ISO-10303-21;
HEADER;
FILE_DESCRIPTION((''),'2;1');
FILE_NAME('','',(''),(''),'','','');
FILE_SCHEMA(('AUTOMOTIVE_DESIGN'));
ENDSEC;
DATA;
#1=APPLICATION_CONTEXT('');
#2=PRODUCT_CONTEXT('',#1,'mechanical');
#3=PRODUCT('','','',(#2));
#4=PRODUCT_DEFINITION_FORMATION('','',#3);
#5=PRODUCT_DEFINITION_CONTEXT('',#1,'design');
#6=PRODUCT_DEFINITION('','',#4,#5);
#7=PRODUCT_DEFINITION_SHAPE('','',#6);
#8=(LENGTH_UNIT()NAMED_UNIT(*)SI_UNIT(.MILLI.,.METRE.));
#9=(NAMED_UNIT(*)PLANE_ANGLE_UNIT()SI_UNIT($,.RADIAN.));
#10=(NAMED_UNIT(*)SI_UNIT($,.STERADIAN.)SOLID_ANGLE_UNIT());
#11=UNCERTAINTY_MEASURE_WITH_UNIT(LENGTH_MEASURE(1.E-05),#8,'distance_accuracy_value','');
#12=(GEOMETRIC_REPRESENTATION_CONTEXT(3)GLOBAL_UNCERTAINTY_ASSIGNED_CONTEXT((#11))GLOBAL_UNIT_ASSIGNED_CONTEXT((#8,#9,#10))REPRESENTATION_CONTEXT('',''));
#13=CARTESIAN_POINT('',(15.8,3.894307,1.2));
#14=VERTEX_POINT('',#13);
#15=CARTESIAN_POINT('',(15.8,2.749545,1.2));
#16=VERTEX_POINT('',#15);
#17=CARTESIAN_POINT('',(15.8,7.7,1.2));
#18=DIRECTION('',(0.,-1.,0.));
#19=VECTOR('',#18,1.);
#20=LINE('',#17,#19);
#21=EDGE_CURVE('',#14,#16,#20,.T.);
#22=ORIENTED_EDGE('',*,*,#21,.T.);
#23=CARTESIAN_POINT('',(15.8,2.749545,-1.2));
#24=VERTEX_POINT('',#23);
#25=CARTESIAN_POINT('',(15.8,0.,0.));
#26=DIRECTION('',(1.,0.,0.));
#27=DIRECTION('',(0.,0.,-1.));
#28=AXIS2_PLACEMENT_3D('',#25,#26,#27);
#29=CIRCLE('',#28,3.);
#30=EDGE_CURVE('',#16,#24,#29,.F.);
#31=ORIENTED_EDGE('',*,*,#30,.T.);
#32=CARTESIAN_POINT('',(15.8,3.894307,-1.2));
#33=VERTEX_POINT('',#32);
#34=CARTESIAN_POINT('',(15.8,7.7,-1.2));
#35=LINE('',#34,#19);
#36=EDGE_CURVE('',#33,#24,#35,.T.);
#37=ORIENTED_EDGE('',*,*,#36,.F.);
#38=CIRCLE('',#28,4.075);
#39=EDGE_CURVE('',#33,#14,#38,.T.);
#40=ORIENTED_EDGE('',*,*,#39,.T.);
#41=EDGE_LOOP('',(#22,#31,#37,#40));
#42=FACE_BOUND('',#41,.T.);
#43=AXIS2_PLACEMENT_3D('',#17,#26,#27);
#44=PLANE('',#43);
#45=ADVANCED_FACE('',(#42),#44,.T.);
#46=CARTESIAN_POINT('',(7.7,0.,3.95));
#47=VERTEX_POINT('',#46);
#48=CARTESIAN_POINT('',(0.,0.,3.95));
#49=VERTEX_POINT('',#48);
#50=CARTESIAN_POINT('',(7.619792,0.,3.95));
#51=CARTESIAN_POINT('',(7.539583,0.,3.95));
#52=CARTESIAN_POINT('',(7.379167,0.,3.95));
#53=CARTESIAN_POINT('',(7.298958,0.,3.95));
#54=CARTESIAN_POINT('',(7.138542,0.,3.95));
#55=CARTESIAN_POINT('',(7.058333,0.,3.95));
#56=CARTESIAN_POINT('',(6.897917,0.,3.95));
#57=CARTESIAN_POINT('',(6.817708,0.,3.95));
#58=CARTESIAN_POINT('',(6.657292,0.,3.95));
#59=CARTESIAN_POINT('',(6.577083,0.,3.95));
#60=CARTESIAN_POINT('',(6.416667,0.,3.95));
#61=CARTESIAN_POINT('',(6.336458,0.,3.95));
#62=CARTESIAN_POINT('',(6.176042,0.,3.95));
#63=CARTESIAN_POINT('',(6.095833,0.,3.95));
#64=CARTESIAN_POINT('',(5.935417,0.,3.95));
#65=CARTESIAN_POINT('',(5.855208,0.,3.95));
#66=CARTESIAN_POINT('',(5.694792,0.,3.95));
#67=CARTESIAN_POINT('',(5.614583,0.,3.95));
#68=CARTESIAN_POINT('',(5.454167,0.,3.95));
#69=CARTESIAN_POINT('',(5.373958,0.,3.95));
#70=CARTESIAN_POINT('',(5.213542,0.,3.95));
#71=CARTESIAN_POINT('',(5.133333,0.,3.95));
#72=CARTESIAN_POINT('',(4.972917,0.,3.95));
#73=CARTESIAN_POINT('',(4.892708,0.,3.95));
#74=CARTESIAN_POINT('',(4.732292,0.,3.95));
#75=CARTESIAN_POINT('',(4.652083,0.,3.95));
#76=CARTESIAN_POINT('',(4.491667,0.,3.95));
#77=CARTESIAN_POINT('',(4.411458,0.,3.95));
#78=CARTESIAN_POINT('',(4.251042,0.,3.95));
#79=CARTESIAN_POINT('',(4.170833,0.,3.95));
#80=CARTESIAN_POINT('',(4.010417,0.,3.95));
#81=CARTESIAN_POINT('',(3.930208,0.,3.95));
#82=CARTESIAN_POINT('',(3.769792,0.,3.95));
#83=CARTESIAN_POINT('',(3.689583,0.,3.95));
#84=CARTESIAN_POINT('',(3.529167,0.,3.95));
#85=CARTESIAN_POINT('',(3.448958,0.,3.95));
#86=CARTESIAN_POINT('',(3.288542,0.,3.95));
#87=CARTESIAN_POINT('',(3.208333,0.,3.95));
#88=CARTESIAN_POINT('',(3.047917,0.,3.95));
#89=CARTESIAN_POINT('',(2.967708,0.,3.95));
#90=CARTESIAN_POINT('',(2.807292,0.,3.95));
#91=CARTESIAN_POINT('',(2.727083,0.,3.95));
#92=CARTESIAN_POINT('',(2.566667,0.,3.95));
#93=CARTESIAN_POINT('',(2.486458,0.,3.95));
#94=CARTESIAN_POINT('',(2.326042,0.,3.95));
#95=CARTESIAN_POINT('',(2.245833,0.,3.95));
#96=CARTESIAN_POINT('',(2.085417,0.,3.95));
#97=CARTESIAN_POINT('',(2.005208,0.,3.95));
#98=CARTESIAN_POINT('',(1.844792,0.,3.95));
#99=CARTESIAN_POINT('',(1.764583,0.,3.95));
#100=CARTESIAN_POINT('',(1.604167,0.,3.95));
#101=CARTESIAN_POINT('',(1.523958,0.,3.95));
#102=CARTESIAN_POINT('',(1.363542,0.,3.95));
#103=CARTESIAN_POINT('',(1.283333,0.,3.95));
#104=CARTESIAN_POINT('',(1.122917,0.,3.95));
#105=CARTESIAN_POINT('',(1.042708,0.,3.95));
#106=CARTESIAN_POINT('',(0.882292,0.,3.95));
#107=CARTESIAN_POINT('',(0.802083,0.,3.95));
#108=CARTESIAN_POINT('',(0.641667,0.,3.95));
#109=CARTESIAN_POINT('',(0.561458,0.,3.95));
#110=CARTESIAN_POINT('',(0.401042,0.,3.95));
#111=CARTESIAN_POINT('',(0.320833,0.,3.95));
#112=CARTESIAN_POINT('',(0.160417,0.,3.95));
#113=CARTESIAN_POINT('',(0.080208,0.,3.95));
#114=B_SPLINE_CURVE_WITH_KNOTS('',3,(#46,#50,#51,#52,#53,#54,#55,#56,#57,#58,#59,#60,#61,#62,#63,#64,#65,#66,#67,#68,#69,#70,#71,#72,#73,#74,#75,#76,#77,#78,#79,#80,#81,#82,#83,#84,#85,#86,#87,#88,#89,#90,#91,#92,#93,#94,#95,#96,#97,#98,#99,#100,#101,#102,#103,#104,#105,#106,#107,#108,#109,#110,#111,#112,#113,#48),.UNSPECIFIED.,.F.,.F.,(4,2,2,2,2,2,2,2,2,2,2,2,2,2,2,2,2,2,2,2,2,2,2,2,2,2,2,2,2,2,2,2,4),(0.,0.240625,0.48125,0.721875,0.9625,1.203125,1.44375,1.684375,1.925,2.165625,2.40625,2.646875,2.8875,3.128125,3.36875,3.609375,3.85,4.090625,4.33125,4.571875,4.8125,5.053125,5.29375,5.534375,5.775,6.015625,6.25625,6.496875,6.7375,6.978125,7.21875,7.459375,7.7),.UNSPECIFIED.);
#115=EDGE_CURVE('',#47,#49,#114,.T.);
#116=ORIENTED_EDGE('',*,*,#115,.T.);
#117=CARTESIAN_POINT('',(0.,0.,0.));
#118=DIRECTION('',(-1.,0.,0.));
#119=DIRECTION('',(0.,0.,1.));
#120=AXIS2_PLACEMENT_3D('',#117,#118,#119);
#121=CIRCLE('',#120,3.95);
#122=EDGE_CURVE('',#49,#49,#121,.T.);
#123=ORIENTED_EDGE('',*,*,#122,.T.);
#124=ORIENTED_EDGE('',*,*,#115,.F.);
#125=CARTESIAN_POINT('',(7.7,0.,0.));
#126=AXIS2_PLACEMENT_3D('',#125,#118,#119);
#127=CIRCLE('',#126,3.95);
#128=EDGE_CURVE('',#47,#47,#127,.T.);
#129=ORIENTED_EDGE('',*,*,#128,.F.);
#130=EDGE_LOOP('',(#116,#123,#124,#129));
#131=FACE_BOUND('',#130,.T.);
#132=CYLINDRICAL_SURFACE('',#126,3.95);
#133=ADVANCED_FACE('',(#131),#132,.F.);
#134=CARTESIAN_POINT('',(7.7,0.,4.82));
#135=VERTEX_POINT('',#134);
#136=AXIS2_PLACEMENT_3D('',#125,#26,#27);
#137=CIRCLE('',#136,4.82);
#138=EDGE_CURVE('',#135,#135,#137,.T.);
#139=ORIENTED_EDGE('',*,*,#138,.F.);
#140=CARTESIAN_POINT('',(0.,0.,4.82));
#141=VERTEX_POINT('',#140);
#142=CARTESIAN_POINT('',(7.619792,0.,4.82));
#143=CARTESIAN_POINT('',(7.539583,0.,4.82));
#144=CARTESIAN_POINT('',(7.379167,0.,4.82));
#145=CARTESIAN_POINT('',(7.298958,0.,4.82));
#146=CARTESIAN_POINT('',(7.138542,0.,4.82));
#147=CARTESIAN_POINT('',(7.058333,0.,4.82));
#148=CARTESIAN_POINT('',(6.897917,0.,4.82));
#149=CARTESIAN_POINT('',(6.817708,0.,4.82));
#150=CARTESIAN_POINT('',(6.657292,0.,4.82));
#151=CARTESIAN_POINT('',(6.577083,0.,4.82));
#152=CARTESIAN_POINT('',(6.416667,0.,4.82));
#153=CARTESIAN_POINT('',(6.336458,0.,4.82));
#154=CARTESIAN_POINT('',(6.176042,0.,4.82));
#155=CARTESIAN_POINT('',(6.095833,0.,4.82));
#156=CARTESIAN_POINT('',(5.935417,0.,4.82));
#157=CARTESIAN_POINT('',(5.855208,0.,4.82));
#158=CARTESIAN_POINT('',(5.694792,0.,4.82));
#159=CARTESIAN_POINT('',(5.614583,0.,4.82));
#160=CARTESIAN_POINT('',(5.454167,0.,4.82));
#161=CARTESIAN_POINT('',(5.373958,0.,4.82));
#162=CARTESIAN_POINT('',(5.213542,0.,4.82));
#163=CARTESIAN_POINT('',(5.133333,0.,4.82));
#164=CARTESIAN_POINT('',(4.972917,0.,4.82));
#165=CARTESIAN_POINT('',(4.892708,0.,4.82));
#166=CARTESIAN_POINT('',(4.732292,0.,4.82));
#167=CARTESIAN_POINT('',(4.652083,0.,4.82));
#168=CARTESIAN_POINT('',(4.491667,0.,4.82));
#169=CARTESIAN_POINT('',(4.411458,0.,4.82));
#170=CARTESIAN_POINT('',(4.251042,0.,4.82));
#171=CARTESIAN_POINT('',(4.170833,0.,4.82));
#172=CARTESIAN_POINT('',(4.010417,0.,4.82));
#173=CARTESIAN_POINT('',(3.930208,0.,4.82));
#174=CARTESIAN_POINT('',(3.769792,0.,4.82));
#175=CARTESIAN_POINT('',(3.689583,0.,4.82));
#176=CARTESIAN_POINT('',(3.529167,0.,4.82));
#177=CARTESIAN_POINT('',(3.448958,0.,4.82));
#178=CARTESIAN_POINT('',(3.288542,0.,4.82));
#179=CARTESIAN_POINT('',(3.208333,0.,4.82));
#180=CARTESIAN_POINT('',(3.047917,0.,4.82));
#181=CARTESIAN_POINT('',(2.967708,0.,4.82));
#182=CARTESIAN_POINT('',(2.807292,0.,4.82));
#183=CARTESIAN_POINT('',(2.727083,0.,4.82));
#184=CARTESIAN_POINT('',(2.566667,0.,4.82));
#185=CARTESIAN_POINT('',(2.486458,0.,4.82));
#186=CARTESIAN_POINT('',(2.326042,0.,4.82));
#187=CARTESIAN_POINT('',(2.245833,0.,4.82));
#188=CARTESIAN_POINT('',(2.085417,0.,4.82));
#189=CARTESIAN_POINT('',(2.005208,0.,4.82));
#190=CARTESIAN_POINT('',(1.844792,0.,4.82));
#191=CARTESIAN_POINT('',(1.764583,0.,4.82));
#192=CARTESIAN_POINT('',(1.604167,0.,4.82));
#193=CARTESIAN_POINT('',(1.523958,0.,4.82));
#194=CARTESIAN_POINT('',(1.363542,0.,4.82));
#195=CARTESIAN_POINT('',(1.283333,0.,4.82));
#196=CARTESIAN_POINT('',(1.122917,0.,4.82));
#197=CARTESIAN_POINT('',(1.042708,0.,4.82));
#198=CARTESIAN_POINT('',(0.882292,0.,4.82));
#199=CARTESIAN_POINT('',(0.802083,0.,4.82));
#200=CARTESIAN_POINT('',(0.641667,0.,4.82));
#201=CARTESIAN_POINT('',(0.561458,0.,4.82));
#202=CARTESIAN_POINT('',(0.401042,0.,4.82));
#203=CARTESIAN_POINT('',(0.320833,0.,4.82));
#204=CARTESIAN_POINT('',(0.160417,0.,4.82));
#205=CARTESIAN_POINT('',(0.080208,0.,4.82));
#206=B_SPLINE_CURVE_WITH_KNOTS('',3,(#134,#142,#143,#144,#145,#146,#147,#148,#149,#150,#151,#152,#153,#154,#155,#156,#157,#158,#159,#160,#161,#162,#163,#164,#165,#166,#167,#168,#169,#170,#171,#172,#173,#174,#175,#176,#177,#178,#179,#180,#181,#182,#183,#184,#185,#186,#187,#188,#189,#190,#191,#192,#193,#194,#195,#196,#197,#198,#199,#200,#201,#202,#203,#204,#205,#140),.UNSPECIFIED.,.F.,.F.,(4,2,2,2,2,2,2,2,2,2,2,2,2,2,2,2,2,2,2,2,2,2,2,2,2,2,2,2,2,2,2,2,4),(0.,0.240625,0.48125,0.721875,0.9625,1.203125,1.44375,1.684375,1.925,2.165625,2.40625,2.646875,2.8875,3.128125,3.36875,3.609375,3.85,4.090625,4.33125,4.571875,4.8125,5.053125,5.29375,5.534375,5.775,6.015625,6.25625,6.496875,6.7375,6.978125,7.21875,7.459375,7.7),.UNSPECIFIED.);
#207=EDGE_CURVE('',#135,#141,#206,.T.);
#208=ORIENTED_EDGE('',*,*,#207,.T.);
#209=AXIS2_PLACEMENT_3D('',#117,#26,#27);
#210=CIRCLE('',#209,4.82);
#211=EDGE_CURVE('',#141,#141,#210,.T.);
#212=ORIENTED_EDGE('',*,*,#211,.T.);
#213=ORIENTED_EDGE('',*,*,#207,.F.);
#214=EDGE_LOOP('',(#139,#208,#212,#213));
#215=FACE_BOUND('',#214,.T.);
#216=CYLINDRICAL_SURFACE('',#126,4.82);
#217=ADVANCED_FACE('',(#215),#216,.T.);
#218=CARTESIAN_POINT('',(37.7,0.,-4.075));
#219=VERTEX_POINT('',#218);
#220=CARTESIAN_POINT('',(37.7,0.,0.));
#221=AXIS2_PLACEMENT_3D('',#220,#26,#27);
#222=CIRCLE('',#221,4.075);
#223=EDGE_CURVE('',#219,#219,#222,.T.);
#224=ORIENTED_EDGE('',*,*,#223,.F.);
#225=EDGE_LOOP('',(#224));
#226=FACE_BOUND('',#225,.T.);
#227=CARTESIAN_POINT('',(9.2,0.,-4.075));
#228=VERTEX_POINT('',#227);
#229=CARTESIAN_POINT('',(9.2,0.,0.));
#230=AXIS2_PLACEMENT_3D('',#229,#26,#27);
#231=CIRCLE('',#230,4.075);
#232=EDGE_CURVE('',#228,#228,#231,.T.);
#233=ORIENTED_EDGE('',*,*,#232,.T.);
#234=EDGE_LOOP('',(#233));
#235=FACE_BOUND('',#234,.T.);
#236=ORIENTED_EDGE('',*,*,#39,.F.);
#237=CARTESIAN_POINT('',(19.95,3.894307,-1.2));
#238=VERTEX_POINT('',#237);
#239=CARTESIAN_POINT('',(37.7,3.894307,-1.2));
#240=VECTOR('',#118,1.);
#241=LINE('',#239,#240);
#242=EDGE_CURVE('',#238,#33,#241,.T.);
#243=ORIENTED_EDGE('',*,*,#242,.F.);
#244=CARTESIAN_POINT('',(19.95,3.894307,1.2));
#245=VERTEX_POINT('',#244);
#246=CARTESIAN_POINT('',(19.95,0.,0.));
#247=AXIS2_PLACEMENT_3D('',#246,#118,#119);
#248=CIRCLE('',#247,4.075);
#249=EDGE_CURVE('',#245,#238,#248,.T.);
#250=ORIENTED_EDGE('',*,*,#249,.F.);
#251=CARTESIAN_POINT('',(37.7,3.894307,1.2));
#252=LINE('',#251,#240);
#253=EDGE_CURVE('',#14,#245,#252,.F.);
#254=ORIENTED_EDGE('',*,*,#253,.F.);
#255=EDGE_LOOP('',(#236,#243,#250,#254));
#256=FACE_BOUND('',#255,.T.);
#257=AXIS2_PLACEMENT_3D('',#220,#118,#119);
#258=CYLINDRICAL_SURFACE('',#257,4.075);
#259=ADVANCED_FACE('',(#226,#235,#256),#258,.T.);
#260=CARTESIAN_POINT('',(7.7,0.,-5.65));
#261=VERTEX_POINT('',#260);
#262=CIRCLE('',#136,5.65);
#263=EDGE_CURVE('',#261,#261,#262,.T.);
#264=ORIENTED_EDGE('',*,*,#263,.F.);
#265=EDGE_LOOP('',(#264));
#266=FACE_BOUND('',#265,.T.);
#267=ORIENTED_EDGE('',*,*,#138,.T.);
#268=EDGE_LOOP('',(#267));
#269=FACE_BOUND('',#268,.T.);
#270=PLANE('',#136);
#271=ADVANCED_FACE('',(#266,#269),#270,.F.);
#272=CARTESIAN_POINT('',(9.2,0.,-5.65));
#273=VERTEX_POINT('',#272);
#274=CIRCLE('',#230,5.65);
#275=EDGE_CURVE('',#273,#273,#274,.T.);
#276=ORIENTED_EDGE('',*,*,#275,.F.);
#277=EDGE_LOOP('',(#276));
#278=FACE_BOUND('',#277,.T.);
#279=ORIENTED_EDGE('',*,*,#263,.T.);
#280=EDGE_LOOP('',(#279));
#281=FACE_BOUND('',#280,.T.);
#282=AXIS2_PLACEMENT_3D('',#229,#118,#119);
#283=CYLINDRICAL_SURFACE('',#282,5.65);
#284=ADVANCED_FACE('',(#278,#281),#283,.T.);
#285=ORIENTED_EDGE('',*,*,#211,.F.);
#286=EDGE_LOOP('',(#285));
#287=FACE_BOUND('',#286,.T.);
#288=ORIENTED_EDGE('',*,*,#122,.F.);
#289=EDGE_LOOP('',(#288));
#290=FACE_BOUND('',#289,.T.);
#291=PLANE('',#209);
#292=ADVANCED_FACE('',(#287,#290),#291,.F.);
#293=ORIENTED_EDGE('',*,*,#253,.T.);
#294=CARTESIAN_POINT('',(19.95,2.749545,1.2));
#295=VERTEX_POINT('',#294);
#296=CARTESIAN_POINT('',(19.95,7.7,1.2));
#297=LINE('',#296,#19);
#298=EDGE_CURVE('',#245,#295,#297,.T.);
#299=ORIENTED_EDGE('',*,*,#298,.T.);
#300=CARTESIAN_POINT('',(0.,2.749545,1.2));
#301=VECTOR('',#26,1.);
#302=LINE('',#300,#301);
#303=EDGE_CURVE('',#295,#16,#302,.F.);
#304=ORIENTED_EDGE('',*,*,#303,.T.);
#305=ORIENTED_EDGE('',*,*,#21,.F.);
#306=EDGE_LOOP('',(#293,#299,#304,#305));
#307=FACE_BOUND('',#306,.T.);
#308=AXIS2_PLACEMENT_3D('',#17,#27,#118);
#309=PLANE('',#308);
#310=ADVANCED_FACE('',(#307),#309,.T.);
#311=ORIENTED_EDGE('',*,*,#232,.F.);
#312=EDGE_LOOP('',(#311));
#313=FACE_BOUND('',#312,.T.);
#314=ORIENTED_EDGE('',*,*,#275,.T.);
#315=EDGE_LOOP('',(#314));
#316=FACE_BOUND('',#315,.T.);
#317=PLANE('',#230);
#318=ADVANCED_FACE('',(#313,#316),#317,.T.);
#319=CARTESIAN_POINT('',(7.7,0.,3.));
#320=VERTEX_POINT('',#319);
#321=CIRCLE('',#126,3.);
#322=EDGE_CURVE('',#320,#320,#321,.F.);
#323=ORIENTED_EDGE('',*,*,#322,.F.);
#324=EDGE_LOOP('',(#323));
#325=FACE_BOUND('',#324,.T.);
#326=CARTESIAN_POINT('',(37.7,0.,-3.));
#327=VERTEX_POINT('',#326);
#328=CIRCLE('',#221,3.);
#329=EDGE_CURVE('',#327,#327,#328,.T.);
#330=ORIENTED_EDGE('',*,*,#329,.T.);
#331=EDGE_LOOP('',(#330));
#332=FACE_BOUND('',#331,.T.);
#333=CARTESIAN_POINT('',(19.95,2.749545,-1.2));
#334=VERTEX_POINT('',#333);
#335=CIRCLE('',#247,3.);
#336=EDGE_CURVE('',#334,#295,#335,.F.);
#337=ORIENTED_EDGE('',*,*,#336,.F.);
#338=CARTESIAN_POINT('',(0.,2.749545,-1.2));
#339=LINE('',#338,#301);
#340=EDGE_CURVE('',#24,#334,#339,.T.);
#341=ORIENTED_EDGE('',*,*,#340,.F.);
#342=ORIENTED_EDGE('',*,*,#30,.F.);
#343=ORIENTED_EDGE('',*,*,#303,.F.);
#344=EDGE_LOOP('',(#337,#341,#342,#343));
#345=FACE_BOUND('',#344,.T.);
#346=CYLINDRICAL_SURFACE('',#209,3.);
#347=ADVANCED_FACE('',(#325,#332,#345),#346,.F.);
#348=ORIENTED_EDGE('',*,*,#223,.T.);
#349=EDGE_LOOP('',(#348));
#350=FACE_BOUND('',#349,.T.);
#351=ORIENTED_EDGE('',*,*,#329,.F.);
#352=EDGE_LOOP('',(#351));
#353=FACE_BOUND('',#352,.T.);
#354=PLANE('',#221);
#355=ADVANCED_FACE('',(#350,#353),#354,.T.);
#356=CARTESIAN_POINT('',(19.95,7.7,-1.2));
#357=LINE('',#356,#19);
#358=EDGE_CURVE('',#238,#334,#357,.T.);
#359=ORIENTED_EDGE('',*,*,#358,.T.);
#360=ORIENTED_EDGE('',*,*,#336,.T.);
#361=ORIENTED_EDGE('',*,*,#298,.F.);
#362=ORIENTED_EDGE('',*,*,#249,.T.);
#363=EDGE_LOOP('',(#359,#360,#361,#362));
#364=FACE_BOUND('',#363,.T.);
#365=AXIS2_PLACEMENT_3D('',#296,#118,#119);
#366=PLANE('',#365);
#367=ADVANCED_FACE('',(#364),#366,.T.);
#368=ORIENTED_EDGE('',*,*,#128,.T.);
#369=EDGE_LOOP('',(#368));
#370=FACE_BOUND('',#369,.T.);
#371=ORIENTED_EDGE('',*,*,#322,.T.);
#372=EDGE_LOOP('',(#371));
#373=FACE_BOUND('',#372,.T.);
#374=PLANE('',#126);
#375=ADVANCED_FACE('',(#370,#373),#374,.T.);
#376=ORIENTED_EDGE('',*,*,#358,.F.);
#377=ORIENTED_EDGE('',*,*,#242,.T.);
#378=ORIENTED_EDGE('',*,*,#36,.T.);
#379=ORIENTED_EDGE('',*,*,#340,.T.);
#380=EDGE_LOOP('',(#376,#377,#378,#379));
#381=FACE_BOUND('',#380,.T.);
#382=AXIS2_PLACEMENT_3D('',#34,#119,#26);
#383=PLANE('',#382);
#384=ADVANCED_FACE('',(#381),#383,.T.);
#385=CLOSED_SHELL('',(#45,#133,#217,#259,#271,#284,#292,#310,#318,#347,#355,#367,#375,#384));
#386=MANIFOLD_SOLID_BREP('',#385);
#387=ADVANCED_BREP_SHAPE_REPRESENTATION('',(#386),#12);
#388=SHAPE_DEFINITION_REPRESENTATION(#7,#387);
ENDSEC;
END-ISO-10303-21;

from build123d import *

# Parameters (mm, degrees)
SKETCH1_R           = 4.82
BOSS_EXTRUDE1_DEPTH = 7.7
SKETCH2_R           = 5.65
BOSS_EXTRUDE2_DEPTH = 1.5
SKETCH3_R           = 4.075
BOSS_EXTRUDE3_DEPTH = 28.5
SKETCH4_R           = 3
CUT_EXTRUDE1_DEPTH  = 39.537449319
SKETCH5_R           = 3.95
CUT_EXTRUDE2_DEPTH  = 7.7
SKETCH6_W           = 4.15
SKETCH6_H           = 2.4
CUT_EXTRUDE3_DEPTH  = 7.7


with BuildPart() as part:
    # Sketch1 → Boss-Extrude1 (new body)
    with BuildSketch(Plane(origin=(0, 0, 0), x_dir=(0, 0, -1), z_dir=(1, 0, 0))):
        with Locations(Location((0, 0, 0), (0, 0, 180))):
            Circle(SKETCH1_R)
    extrude(amount=BOSS_EXTRUDE1_DEPTH)

    # Sketch2 → Boss-Extrude2 (add)
    with BuildSketch(Plane(origin=(7.7, 0, 0), x_dir=(0, 0, -1), z_dir=(1, 0, 0))):
        Circle(SKETCH2_R)
    extrude(amount=BOSS_EXTRUDE2_DEPTH)

    # Sketch3 → Boss-Extrude3 (add)
    with BuildSketch(Plane(origin=(9.2, 0, 0), x_dir=(0, 0, -1), z_dir=(1, 0, 0))):
        with Locations(Location((0, 0, 0), (0, 0, 180))):
            Circle(SKETCH3_R)
    extrude(amount=BOSS_EXTRUDE3_DEPTH)

    # Sketch4 → Cut-Extrude1 (cut, through all)
    with BuildSketch(Plane(origin=(37.7, 0, 0), x_dir=(0, 0, -1), z_dir=(1, 0, 0))):
        Circle(SKETCH4_R)
    extrude(amount=-CUT_EXTRUDE1_DEPTH, mode=Mode.SUBTRACT)

    # Sketch5 → Cut-Extrude2 (cut)
    with BuildSketch(Plane.ZY):
        Circle(SKETCH5_R)
    extrude(amount=-CUT_EXTRUDE2_DEPTH, mode=Mode.SUBTRACT)

    # Sketch6 → Cut-Extrude3 (cut)
    with BuildSketch(Plane(origin=(0, 0, 0), x_dir=(1, 0, 0), z_dir=(0, 1, 0))):
        with Locations((17.875, 0)):
            Rectangle(SKETCH6_W, SKETCH6_H)
    extrude(amount=CUT_EXTRUDE3_DEPTH, mode=Mode.SUBTRACT)


solid = part.part
